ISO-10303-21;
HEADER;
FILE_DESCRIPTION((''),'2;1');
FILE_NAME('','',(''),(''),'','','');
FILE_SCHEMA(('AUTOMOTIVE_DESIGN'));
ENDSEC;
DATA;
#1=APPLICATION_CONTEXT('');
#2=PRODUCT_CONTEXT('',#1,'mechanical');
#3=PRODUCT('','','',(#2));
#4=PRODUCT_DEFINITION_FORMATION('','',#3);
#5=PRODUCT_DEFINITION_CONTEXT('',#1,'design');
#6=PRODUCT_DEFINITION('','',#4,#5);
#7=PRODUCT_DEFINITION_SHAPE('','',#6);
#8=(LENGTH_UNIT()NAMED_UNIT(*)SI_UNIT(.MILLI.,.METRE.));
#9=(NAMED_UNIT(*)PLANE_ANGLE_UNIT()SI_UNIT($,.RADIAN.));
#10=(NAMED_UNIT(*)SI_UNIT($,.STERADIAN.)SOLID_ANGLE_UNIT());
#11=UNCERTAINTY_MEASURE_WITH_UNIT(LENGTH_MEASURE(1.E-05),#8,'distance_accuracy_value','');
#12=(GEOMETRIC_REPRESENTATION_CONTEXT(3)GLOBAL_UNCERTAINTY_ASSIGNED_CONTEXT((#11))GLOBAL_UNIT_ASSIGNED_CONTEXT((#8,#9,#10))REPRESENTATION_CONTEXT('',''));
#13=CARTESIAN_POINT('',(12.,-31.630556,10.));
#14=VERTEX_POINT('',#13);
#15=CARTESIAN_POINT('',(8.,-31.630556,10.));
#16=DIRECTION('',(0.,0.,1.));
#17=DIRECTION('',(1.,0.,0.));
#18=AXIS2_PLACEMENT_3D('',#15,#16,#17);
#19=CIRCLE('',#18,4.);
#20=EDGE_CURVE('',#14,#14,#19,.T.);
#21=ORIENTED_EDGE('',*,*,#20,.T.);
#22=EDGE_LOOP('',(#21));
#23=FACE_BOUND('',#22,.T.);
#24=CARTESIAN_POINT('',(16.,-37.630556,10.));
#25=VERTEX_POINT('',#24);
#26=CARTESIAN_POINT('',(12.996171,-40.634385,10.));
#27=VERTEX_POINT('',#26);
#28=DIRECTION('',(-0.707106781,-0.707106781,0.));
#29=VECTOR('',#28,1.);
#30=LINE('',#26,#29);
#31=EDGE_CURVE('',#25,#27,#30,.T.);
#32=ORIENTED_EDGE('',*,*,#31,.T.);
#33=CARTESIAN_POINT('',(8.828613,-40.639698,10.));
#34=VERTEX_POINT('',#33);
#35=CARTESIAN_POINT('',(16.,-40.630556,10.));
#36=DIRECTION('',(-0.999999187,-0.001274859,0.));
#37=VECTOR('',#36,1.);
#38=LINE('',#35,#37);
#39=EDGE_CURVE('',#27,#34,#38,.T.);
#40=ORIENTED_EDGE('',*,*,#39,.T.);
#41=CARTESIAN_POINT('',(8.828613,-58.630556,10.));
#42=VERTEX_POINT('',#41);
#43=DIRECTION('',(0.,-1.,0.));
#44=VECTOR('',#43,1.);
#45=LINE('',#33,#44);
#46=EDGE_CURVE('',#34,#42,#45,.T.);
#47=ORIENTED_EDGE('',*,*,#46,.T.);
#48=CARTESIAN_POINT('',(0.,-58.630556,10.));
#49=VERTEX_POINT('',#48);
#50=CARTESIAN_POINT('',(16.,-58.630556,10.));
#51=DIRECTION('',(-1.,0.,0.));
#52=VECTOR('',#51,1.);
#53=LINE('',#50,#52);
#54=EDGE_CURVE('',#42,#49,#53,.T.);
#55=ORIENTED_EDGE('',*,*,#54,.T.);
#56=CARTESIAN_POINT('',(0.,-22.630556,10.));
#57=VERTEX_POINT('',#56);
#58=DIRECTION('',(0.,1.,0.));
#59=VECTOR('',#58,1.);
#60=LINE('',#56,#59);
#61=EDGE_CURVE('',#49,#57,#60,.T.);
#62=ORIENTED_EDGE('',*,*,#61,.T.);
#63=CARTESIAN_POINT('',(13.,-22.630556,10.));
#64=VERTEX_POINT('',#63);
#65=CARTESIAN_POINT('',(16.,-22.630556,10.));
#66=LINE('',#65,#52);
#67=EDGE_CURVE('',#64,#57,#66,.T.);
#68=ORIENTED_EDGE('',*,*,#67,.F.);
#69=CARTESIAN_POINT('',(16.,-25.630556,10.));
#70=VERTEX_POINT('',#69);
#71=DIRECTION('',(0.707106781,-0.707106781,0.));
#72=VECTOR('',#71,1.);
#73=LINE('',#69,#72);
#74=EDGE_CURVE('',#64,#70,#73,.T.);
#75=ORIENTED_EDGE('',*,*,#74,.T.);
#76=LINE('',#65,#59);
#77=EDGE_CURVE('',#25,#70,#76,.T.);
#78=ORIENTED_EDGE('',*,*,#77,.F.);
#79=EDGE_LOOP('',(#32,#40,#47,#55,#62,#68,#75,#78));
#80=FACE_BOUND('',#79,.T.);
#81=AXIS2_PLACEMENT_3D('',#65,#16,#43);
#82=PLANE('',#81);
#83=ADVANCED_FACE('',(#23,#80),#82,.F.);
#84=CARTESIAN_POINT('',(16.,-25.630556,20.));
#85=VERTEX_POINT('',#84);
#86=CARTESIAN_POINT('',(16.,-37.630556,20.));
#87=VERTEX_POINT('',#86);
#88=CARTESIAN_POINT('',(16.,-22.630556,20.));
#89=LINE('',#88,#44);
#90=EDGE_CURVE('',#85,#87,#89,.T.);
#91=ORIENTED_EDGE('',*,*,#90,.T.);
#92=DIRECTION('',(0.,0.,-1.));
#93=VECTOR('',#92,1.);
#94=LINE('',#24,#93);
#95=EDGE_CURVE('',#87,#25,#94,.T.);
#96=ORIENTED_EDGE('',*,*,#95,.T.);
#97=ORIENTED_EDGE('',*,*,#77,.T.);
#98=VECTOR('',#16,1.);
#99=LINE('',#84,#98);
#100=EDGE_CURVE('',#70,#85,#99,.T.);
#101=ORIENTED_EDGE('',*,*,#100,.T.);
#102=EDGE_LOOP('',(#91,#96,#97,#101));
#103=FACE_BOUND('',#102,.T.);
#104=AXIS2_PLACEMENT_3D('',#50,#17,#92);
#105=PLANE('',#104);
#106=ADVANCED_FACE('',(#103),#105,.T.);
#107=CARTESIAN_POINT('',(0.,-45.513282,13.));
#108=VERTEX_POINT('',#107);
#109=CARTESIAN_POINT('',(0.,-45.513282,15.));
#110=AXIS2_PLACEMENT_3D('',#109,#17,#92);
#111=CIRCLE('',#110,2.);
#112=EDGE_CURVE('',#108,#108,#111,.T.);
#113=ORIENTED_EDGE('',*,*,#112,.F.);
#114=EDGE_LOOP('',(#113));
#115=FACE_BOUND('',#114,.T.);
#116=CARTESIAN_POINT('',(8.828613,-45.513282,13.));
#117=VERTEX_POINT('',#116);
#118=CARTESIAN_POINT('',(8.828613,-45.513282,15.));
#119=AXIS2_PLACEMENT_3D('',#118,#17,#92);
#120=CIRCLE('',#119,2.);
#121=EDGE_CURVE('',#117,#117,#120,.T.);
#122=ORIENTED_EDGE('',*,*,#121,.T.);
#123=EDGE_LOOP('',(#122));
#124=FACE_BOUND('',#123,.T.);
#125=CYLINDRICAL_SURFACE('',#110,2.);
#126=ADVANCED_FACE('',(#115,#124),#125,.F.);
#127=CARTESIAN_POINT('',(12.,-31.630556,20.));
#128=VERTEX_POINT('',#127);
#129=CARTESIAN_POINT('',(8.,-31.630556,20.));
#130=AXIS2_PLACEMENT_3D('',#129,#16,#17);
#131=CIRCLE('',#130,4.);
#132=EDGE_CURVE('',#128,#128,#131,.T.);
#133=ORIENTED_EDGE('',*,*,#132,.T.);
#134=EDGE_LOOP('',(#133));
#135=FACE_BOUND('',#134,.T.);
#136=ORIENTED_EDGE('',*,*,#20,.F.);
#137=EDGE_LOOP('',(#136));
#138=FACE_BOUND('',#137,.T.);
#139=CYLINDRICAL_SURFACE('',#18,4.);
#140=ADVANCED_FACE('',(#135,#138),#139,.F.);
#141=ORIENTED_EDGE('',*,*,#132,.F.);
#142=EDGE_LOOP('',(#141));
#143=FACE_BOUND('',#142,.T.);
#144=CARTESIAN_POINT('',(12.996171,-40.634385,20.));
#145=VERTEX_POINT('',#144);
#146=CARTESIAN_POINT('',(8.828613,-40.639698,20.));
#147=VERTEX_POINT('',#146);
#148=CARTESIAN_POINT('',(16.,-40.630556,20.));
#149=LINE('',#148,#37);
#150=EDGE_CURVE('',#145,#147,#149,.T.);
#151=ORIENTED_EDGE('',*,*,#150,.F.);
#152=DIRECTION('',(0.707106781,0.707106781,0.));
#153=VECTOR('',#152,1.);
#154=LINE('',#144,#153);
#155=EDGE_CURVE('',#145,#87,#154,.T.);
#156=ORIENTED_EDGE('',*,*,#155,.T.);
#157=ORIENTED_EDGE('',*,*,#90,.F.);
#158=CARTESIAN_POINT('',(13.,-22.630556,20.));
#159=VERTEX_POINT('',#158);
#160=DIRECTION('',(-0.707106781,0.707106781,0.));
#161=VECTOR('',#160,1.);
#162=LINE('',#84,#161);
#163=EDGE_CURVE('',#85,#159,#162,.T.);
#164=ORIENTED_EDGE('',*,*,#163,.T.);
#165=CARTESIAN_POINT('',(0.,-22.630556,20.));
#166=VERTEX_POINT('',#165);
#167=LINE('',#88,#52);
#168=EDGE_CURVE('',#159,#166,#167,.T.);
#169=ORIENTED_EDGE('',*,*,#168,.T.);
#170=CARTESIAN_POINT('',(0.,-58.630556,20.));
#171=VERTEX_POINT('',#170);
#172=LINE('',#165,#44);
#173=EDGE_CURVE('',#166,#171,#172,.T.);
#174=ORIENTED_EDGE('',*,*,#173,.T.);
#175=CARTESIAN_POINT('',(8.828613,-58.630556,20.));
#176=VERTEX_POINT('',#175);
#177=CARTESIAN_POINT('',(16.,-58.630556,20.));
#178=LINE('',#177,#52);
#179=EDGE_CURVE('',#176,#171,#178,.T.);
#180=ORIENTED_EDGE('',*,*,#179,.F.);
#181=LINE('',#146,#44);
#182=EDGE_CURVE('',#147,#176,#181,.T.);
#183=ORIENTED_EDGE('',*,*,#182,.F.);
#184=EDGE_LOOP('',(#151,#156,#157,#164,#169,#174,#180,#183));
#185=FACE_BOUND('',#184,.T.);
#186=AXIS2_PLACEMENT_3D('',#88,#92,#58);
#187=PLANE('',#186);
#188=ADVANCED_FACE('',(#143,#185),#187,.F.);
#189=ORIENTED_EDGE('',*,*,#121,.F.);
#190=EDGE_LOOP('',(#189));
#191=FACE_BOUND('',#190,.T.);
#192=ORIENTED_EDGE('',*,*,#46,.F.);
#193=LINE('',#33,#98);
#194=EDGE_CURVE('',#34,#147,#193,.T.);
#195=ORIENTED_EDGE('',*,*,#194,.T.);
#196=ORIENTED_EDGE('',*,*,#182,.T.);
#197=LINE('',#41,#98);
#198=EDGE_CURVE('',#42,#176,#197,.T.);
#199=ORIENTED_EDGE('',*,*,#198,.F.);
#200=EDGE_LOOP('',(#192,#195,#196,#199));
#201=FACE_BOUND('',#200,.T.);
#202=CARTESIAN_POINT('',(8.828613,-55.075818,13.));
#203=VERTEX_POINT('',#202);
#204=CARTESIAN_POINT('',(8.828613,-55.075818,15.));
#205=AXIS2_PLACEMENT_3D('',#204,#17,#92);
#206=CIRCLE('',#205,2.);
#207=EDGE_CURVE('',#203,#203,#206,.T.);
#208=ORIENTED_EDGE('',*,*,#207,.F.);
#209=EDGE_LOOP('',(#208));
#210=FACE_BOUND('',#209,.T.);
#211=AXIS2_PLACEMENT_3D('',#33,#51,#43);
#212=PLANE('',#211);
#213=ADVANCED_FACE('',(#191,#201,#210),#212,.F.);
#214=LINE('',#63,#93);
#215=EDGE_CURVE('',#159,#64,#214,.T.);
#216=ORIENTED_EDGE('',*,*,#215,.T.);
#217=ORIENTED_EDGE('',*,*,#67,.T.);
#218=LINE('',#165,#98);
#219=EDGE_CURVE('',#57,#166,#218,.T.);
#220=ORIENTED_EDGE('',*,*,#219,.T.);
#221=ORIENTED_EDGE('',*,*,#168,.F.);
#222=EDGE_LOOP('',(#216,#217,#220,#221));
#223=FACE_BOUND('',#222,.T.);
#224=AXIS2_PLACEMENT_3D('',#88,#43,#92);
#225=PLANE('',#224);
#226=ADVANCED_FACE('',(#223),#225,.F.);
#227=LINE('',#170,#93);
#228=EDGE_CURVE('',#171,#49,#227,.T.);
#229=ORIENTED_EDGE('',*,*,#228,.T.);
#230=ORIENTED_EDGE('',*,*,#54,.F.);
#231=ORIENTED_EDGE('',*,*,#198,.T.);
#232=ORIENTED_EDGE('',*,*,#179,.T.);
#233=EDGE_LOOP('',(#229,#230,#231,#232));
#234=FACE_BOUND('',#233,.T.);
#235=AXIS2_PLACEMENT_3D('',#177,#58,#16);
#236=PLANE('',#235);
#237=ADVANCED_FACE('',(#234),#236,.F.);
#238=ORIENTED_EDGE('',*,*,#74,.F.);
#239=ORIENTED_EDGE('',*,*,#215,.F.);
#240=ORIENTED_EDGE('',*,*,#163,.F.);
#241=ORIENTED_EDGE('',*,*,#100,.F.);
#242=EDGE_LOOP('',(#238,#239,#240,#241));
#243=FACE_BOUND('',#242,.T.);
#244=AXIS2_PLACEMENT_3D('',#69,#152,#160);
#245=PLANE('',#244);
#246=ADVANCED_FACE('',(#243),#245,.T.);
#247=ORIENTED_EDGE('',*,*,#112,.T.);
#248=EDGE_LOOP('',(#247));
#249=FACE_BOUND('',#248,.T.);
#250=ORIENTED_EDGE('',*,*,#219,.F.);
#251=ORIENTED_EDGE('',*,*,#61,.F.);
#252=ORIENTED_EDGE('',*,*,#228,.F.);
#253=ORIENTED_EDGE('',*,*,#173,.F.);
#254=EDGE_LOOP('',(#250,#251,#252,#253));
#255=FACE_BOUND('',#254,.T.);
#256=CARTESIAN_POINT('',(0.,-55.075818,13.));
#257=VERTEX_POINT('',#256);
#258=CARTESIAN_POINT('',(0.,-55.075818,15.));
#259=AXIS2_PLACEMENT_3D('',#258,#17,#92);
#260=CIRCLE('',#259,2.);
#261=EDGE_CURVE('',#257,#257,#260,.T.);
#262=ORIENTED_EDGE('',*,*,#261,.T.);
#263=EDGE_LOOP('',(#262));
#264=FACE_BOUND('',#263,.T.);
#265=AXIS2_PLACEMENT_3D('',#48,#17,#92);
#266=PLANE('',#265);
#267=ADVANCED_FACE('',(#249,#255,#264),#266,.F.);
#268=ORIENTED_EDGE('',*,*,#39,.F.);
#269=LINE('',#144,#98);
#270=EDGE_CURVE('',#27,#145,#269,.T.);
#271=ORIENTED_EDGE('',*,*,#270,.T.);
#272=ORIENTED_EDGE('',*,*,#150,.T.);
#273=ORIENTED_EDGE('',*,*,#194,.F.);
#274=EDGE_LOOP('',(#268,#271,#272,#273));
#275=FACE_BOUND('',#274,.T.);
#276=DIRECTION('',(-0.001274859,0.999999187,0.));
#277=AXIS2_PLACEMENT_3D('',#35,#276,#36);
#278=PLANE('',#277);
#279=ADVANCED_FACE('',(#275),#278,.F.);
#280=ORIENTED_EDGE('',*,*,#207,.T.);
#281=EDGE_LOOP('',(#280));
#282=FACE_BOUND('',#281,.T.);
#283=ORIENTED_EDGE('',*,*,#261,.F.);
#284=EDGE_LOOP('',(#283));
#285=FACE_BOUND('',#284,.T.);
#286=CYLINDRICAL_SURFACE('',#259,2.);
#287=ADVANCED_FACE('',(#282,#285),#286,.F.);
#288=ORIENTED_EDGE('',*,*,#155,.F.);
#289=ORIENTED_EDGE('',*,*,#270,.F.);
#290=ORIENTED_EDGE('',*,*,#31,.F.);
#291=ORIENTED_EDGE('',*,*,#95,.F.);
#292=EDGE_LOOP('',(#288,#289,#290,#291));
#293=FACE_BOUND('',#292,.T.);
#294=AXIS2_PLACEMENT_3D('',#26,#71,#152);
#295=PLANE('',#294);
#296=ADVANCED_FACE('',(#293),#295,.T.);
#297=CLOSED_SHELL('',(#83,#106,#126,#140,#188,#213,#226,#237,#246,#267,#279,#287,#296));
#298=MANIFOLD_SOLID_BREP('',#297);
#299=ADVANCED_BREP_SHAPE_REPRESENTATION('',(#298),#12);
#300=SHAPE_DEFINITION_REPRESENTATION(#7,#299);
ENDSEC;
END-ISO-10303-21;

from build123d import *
from OCP.BRepFilletAPI import BRepFilletAPI_MakeChamfer

# Parameters (mm, degrees)
SKETCH_1_W            = 10
SKETCH_1_H            = 36
EXTRUDE_1_DEPTH       = 16
SKETCH_5_R            = 4.000000001
CUT_EXTRUDE_2_DEPTH   = 62.591736841
CUT_EXTRUDE_3_DEPTH   = 62.591736841
CHAMFER_1_SIZE        = 3
CHAMFER_1_SIZE2       = 3.003831905
SKETCH_7_R            = 2
CUT_EXTRUDE_2_2_DEPTH = 63.573848038


with BuildPart() as part:
    # Эскиз1 → Вытянуть1 (new body)
    with BuildSketch(Plane(origin=(0, 0, 0), x_dir=(0, 0, -1), z_dir=(1, 0, 0))):
        with Locations((-15, -40.630555576)):
            Rectangle(SKETCH_1_W, SKETCH_1_H)
    extrude(amount=EXTRUDE_1_DEPTH)

    # Эскиз5 → Cut-Extrude 2 (cut, through all)
    with BuildSketch(Plane.XY.offset(20)):
        with Locations((8, -31.630555576)):
            Circle(SKETCH_5_R)
    extrude(amount=-CUT_EXTRUDE_2_DEPTH, mode=Mode.SUBTRACT)

    # Эскиз6 → Вырез-Вытянуть3 (cut, through all)
    with BuildSketch(Plane.XY.offset(20)):
        Polygon((16, -40.630555576), (16, -58.630555576), (8.828613207, -58.630555576), (8.828613207, -40.639698094), align=None)
    extrude(amount=-CUT_EXTRUDE_3_DEPTH, mode=Mode.SUBTRACT)

    # Фаска1: one chamfer whose edges measure the first distance from different faces: ONE call of the kernel's chamfer builder (chamfer() names one face for all edges)
    chamfer_1_edges_1 = [part.edges().sort_by_distance(p)[0] for p in [
        (16, -40.630555576, 15),
    ]]
    chamfer_1_side_1 = [part.faces().sort_by_distance(p)[0] for p in [
        (16, -31.630555576, 15),
    ]]
    chamfer_1_edges_2 = [part.edges().sort_by_distance(p)[0] for p in [
        (16, -22.630555576, 15),
    ]]
    chamfer_1 = BRepFilletAPI_MakeChamfer(part.part.solid().wrapped)
    for e in chamfer_1_edges_1:
        chamfer_1.Add(CHAMFER_1_SIZE, CHAMFER_1_SIZE2, e.wrapped, chamfer_1_side_1[0].wrapped)  # the first distance lies on this face
    for e in chamfer_1_edges_2:
        chamfer_1.Add(CHAMFER_1_SIZE, e.wrapped)
    add(Compound.cast(chamfer_1.Shape()), mode=Mode.REPLACE)

    # Эскиз7 → Cut-Extrude 2 2 (cut, through all)
    with BuildSketch(Plane(origin=(8.828613207, 0, 0), x_dir=(0, 0, -1), z_dir=(1, 0, 0))):
        with Locations((-15, -55.075818026)):
            Circle(SKETCH_7_R)
        with Locations((-15, -45.513282345)):
            Circle(SKETCH_7_R)
    extrude(amount=-CUT_EXTRUDE_2_2_DEPTH, mode=Mode.SUBTRACT)


solid = part.part
